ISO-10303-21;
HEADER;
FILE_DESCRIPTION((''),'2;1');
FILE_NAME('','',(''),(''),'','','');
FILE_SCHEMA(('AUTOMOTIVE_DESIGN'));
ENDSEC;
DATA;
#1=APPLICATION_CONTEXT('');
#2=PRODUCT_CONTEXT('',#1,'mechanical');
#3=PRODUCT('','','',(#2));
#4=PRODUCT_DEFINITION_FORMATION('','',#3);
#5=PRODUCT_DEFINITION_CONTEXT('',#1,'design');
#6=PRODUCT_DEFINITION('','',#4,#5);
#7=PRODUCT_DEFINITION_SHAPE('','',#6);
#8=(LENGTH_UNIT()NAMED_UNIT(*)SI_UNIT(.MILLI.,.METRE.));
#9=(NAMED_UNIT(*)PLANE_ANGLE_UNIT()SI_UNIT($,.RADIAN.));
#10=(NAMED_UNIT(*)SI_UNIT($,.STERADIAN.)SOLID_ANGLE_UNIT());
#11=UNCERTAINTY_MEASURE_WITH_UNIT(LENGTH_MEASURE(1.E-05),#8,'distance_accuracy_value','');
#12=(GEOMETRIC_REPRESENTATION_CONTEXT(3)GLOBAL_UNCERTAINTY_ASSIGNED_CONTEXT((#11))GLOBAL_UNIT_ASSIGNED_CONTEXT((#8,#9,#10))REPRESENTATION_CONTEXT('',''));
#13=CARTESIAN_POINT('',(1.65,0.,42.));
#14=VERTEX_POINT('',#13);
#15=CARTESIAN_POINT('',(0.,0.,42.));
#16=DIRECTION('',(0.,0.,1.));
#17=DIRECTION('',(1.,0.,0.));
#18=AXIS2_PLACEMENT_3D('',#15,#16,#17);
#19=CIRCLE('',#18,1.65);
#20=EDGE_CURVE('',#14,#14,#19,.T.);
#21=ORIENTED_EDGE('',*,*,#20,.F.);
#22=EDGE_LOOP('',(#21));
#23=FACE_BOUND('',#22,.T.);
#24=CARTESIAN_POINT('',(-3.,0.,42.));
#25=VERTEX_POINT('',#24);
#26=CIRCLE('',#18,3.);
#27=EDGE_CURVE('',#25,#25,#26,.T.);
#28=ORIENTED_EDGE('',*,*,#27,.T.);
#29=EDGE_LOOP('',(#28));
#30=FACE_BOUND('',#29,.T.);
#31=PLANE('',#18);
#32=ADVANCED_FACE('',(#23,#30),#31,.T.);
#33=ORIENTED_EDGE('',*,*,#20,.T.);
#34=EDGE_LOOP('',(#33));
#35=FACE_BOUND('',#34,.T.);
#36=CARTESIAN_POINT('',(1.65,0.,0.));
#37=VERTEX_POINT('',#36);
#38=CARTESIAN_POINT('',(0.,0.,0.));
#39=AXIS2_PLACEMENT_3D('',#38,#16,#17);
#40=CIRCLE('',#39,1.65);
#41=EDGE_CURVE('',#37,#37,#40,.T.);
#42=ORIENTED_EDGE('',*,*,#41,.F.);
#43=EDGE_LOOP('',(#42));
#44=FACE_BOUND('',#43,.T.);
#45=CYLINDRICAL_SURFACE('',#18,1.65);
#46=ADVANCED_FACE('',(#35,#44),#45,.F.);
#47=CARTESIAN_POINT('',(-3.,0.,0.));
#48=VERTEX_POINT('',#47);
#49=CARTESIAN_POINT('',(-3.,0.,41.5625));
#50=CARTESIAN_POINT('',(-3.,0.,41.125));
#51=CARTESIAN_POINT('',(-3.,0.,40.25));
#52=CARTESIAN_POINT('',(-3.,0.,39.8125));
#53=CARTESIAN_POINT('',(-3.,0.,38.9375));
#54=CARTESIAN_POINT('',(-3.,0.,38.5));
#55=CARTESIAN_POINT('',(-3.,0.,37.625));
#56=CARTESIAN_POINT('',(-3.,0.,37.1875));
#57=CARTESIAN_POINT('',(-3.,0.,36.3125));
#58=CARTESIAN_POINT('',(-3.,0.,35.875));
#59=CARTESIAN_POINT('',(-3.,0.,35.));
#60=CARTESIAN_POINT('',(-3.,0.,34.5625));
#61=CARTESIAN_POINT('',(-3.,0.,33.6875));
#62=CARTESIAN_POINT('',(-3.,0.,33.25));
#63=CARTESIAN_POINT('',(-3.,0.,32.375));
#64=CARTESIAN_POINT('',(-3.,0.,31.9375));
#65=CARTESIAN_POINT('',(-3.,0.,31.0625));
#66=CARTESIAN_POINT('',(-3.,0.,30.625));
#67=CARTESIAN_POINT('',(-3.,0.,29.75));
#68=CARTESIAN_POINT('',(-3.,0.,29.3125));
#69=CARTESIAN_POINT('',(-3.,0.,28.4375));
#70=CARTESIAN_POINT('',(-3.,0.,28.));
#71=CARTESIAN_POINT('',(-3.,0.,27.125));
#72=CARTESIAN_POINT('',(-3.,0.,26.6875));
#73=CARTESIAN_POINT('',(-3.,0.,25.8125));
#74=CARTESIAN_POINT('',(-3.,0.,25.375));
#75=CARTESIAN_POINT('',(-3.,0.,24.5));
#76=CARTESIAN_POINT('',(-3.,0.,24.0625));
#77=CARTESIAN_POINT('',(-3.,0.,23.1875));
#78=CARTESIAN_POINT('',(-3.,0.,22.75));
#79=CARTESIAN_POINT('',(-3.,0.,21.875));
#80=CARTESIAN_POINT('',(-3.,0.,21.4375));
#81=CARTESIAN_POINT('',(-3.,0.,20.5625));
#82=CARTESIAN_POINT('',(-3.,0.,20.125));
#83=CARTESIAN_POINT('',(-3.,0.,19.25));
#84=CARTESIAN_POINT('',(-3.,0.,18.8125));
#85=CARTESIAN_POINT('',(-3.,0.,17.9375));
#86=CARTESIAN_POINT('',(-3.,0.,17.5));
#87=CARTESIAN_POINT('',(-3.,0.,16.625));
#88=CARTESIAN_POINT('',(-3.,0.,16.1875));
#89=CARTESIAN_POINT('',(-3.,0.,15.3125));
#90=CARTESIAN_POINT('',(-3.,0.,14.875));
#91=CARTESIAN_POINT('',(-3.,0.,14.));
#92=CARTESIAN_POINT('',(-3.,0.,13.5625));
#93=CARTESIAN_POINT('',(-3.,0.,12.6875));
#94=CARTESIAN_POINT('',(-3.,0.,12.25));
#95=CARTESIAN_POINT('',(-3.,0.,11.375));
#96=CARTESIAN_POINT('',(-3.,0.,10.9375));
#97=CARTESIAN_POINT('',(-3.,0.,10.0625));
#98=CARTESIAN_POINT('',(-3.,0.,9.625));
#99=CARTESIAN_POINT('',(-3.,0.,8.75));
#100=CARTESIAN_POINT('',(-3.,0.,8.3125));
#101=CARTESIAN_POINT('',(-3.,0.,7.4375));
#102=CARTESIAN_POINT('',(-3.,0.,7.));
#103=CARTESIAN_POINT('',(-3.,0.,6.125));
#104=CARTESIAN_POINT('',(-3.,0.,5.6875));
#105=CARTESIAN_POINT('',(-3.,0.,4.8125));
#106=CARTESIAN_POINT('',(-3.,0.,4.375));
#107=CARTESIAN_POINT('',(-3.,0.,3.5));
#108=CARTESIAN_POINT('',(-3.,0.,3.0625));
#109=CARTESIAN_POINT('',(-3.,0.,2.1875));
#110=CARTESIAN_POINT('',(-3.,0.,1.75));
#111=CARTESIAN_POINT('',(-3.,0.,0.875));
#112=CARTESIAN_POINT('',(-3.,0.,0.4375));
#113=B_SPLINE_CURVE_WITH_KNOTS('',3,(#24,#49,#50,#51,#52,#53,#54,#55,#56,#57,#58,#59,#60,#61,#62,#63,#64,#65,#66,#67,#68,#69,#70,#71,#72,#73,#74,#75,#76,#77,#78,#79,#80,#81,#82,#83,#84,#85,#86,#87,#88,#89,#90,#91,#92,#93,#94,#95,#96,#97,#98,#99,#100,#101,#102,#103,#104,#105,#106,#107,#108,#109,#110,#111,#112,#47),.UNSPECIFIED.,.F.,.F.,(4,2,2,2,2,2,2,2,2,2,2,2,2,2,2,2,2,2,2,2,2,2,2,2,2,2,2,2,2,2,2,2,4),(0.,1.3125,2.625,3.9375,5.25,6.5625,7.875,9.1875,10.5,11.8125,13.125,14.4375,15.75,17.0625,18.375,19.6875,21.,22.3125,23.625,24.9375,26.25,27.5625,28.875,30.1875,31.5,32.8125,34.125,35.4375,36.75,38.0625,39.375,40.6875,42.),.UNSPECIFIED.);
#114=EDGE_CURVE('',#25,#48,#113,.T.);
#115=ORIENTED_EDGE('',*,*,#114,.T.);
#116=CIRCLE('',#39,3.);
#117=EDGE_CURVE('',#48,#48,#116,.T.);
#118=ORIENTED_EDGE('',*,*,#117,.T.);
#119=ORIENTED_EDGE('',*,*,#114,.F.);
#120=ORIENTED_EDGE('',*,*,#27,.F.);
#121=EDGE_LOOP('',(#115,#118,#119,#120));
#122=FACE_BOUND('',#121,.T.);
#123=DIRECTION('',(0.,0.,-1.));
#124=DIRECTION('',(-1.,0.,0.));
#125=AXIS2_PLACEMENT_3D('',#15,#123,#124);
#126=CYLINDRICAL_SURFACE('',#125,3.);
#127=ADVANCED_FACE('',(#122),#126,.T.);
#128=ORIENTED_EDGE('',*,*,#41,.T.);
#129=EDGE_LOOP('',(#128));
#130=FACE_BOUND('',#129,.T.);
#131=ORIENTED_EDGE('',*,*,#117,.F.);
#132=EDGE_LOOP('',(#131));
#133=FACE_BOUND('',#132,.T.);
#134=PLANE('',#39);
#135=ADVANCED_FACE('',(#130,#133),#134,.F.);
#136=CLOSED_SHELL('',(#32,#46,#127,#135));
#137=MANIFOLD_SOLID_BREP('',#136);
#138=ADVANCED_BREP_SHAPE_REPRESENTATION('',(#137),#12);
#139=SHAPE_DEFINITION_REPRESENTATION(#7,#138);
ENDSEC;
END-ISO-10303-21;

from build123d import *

# Parameters (mm, degrees)
SKETCH_1_R         = 3
EXTRUDE_1_DEPTH    = 42
HOLE_WIZARD_M4_1_D = 3.3


with BuildPart() as part:
    # 草图1 → 凸台-拉伸1 (new body)
    with BuildSketch(Plane.XY):
        with Locations(Location((0, 0, 0), (0, 0, 180))):
            Circle(SKETCH_1_R)
    extrude(amount=EXTRUDE_1_DEPTH)

    # M4 螺纹孔1 (through all)
    with Locations(Plane.XY.offset(42)):
        with Locations((0, 0)):
            Hole(HOLE_WIZARD_M4_1_D / 2)


solid = part.part
